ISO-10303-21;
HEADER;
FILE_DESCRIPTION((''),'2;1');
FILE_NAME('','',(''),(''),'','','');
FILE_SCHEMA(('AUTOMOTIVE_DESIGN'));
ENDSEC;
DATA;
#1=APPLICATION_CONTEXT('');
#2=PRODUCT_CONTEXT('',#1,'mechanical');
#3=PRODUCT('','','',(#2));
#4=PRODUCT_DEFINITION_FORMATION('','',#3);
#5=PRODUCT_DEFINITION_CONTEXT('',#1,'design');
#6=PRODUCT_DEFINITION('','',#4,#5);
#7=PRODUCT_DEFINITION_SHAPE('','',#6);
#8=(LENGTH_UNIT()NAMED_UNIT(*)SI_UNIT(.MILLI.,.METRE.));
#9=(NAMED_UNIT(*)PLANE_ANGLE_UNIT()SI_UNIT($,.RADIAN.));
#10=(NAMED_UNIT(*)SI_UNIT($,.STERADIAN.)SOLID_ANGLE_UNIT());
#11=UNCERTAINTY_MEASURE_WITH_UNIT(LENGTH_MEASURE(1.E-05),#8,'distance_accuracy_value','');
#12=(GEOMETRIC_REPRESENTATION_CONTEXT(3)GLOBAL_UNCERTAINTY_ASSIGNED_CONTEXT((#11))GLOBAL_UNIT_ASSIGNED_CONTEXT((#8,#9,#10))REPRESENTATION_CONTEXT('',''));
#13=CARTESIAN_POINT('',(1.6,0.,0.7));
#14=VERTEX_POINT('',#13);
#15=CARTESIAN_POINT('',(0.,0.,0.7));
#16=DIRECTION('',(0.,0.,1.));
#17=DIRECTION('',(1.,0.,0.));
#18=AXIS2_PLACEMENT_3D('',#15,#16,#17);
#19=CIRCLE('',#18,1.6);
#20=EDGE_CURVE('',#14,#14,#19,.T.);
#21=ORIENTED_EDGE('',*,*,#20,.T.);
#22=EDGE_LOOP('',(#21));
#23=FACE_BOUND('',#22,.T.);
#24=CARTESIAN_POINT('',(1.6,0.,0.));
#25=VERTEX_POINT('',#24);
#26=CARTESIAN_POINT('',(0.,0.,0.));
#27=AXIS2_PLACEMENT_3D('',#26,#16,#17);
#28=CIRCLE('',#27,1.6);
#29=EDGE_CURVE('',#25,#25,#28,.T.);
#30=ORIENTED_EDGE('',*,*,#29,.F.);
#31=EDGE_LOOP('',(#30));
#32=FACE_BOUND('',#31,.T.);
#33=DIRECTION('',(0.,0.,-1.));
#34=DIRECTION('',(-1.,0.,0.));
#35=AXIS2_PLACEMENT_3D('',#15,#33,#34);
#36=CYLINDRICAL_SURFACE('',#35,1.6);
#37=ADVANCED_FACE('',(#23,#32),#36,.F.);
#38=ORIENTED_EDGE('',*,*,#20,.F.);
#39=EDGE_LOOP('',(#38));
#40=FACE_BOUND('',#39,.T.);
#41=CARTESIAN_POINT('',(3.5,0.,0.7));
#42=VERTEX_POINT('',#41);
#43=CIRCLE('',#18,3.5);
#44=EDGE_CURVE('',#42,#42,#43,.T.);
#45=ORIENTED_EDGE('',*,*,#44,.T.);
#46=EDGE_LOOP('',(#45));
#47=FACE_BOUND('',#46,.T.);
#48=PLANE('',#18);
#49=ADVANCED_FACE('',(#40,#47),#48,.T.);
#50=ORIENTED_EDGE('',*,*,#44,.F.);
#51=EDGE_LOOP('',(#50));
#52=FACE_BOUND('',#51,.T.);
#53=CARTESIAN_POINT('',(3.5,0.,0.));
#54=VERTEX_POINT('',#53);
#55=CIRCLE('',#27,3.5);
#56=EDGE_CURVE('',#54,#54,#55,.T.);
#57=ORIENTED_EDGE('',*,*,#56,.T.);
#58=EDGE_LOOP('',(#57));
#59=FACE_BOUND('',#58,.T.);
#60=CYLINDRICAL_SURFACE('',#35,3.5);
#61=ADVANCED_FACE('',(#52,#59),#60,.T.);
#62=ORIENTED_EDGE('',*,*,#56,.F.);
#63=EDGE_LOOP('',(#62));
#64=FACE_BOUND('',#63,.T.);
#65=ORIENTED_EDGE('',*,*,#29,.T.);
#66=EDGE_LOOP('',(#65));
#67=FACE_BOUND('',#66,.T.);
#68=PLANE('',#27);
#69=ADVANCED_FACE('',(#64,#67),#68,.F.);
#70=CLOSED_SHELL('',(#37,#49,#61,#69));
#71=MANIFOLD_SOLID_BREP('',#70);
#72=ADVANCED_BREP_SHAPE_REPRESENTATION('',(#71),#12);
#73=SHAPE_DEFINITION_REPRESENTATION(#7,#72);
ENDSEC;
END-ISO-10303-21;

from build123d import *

# Parameters (mm, degrees)
SKETCH_2_R        = 3.5
SKETCH_2_R_2      = 1.6
EXTRUDE_335_DEPTH = 0.7


with BuildPart() as part:
    # Эскиз2 → Extrude 335 (new body)
    with BuildSketch(Plane.XY):
        Circle(SKETCH_2_R)
        Circle(SKETCH_2_R_2, mode=Mode.SUBTRACT)
    extrude(amount=EXTRUDE_335_DEPTH)


solid = part.part
